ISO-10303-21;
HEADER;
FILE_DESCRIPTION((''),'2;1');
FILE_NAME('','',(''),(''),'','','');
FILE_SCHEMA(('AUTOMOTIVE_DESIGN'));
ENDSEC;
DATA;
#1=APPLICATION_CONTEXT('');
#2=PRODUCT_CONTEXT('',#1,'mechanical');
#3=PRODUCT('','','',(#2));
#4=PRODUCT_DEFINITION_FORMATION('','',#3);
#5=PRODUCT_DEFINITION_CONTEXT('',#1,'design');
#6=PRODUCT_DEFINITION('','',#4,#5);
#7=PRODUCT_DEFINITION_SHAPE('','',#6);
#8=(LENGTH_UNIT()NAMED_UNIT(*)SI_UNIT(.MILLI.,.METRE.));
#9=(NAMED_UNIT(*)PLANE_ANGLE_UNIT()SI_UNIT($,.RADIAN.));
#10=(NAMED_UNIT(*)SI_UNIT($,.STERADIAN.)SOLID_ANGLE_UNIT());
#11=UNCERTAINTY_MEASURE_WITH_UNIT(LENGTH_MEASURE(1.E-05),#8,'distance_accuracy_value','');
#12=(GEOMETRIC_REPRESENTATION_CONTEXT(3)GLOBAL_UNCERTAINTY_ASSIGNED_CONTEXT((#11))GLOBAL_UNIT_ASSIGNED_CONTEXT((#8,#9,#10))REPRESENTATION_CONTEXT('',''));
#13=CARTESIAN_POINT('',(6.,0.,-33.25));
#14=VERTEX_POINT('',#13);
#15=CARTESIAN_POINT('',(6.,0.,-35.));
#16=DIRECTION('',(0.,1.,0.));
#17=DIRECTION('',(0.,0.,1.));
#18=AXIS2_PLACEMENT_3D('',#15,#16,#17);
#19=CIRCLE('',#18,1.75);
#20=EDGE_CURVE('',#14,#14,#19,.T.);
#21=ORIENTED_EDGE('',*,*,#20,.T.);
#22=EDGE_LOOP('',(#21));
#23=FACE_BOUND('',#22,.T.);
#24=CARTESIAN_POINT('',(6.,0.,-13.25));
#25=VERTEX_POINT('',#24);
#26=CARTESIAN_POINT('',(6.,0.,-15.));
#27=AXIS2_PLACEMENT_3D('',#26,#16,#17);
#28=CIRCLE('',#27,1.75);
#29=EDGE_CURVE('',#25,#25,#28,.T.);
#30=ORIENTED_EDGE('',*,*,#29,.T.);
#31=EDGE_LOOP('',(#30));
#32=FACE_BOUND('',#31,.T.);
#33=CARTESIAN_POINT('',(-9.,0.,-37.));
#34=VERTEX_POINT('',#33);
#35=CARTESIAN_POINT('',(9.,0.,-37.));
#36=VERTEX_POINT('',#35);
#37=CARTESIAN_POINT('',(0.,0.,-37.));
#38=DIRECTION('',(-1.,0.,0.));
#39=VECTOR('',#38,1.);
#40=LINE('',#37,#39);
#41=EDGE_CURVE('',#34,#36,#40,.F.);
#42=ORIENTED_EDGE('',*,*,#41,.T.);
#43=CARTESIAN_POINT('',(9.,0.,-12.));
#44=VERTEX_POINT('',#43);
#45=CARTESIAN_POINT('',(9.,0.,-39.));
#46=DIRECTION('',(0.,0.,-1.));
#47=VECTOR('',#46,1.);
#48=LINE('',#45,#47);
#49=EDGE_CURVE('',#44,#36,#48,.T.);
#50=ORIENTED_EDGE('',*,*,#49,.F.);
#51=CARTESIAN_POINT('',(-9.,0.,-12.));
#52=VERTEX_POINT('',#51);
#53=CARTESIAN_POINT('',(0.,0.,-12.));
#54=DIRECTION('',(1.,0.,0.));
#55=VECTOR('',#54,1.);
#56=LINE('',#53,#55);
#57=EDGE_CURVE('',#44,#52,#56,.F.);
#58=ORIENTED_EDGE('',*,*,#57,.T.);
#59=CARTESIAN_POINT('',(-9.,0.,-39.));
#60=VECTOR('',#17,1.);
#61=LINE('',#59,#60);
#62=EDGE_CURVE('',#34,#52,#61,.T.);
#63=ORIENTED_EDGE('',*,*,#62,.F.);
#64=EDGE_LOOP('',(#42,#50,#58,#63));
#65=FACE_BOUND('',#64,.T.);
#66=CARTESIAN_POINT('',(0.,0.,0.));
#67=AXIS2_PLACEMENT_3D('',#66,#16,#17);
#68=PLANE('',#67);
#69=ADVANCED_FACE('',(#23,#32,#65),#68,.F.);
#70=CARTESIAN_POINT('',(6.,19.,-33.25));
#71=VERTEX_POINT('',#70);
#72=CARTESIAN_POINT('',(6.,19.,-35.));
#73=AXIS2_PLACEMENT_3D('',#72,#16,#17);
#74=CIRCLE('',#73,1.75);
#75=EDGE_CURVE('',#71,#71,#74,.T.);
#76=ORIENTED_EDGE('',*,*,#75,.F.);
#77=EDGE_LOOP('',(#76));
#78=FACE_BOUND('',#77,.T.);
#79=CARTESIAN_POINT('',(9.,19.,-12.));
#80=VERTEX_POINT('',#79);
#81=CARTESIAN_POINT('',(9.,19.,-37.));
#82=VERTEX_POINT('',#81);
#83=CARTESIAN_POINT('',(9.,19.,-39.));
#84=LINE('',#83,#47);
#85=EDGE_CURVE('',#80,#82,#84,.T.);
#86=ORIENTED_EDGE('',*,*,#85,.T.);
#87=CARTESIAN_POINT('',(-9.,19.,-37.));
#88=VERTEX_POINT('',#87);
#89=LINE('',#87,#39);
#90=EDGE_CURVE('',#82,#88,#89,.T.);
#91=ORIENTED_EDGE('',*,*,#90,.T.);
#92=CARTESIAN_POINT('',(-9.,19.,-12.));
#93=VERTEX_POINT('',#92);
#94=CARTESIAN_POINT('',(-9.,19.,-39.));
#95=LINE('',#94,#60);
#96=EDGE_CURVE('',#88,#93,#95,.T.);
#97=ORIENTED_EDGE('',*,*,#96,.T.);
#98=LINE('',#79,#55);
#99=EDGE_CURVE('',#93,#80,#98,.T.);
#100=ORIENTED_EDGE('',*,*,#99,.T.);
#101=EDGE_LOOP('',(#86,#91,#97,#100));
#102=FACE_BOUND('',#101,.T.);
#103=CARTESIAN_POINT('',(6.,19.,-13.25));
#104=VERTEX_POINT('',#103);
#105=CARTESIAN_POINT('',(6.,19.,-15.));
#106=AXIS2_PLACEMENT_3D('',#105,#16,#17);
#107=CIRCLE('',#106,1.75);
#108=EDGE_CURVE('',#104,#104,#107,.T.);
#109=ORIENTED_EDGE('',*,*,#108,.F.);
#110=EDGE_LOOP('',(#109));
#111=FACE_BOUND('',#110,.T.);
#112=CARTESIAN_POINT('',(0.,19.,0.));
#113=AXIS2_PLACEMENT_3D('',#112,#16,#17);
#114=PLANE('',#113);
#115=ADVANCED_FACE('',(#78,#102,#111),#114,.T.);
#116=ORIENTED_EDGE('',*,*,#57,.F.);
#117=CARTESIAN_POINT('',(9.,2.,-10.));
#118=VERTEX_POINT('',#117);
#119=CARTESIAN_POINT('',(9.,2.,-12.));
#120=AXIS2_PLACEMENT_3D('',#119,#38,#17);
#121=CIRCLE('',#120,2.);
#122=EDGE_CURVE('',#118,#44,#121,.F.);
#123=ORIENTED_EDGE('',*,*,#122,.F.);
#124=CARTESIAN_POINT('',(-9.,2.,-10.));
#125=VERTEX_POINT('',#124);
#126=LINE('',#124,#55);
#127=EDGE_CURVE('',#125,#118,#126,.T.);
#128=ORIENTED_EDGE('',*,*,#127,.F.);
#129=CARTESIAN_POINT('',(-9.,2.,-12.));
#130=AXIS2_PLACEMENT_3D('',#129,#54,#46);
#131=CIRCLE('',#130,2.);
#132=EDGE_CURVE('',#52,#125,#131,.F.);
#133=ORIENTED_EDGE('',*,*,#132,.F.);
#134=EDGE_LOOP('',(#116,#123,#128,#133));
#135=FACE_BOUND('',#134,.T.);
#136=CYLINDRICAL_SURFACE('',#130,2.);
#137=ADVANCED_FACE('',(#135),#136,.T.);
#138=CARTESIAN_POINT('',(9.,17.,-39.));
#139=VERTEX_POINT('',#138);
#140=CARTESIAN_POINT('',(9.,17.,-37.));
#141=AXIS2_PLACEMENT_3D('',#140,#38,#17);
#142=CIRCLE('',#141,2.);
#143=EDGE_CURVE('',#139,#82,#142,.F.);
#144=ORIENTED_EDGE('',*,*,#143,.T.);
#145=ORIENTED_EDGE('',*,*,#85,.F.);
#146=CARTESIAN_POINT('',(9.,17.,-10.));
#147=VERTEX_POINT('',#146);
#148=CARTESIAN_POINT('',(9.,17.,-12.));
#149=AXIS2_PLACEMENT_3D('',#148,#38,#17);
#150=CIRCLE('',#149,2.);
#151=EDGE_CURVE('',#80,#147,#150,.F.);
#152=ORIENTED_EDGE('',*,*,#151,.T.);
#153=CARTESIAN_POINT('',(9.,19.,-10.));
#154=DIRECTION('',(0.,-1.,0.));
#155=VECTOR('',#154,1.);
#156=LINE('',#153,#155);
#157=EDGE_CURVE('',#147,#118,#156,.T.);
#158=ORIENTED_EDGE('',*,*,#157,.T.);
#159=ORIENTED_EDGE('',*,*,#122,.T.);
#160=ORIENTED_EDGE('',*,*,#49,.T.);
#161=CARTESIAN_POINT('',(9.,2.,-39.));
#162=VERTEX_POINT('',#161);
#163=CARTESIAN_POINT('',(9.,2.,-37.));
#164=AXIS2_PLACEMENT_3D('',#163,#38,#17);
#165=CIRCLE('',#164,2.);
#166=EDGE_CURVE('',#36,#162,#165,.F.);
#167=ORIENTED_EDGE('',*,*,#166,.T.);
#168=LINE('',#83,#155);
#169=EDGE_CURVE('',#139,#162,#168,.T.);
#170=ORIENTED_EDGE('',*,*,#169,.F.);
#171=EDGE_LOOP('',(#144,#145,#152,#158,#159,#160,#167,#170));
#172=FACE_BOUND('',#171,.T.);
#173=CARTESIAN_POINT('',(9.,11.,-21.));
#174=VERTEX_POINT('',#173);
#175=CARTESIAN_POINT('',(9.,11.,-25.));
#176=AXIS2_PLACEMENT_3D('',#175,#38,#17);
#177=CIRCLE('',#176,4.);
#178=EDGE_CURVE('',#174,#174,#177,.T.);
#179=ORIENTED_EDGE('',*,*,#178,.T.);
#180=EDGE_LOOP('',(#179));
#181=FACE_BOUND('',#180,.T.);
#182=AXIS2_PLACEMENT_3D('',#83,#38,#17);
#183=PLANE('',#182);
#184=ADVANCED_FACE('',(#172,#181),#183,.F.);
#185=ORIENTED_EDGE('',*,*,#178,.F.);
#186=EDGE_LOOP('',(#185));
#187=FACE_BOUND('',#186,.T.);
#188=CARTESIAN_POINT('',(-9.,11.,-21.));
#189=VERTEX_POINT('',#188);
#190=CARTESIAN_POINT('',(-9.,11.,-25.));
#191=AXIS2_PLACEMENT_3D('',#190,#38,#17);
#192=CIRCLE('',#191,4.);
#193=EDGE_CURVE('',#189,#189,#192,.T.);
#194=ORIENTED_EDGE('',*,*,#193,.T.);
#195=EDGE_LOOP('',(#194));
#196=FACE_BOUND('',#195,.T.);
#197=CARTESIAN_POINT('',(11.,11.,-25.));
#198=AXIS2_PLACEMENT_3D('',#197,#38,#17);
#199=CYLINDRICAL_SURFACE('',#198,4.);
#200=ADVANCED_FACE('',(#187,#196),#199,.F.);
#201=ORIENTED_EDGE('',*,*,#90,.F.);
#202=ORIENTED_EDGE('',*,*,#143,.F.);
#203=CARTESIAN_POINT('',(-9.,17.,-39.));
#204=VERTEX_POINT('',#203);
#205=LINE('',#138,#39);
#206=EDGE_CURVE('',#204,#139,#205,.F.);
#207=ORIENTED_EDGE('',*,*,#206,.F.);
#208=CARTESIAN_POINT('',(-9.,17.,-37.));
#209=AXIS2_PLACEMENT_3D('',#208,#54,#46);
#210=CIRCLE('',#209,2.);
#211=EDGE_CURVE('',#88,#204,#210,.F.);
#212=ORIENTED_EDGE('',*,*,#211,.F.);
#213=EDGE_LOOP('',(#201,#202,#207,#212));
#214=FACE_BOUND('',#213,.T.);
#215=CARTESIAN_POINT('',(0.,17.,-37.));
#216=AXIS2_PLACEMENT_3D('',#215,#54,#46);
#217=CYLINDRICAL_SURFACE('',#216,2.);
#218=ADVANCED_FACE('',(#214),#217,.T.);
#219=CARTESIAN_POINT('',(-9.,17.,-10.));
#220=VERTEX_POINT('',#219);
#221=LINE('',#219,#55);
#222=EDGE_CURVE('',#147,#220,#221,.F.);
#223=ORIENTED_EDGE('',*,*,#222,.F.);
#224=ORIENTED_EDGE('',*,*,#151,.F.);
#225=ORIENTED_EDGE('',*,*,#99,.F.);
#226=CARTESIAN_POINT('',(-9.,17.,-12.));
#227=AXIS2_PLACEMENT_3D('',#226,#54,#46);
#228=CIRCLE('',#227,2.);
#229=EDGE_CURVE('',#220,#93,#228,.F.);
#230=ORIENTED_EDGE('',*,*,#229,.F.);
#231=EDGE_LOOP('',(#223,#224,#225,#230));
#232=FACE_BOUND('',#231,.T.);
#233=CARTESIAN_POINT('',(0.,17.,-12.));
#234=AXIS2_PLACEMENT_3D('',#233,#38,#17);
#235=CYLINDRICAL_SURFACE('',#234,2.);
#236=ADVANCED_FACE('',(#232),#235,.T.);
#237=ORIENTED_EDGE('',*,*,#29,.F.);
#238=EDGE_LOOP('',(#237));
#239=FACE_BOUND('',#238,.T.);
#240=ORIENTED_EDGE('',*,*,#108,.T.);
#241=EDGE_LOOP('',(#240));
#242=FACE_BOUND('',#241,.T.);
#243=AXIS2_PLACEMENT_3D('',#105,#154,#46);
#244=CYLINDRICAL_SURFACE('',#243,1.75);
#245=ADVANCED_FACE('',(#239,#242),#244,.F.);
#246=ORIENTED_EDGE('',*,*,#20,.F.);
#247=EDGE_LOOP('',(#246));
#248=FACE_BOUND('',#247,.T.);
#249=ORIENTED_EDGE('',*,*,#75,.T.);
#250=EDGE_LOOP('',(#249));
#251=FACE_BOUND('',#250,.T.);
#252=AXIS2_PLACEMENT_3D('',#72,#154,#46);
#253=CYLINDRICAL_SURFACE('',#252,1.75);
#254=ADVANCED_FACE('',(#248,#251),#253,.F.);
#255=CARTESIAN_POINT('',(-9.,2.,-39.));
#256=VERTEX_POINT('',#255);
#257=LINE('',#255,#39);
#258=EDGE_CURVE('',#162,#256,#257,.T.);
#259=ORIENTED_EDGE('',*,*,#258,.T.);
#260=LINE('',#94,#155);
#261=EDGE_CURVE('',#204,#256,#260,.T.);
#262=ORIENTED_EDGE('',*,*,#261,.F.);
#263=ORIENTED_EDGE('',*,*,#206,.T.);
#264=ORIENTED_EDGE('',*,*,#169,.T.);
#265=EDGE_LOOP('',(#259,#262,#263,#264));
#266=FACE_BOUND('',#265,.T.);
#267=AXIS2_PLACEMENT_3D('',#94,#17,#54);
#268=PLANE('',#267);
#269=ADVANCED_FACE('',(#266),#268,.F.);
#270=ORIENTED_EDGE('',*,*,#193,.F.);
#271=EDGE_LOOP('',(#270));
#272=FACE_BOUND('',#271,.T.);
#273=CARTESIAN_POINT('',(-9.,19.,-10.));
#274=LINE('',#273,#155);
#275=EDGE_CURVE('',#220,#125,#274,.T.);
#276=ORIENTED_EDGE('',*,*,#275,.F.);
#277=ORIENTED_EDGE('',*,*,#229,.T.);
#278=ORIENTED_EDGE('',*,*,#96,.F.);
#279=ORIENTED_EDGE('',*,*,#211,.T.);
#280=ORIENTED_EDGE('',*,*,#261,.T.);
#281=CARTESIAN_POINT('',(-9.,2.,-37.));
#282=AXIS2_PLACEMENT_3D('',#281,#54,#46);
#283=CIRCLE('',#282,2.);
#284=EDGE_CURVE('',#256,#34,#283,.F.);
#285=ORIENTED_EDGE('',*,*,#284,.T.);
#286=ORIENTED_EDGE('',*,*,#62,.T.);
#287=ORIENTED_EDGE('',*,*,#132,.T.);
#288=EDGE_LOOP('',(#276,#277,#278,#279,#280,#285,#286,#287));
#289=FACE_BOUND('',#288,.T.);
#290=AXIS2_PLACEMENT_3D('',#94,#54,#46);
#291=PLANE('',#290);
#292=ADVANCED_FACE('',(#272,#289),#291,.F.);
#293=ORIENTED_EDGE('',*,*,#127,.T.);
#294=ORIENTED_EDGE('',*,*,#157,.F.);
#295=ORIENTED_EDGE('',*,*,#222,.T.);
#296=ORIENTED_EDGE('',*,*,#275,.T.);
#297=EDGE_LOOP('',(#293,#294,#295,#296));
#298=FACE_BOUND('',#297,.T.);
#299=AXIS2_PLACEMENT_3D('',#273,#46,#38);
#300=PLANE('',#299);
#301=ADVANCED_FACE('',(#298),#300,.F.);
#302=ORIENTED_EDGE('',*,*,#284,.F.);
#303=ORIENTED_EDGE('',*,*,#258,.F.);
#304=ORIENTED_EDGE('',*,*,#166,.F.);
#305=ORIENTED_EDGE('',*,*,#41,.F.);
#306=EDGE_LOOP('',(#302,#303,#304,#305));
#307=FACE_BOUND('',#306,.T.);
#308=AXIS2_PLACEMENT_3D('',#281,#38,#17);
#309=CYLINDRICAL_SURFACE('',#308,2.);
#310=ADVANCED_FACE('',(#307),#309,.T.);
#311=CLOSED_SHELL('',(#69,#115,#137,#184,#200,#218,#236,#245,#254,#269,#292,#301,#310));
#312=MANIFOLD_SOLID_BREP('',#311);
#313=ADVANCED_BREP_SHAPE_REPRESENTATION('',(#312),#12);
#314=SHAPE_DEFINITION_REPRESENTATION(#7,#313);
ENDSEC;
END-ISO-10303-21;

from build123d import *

# Parameters (mm, degrees)
SKETCH_1_W          = 18
SKETCH_1_H          = 29
SKETCH_1_R          = 1.75
EXTRUDE_1_DEPTH     = 19
SKETCH_2_R          = 4
CUT_EXTRUDE_1_DEPTH = 20
FILLET_1_R          = 2


with BuildPart() as part:
    # 草图1 → 凸台-拉伸1 (new body)
    with BuildSketch(Plane(origin=(0, 0, 0), x_dir=(1, 0, 0), z_dir=(0, 1, 0))):
        with Locations((0, 24.5)):
            Rectangle(SKETCH_1_W, SKETCH_1_H)
        with Locations(Location((6, 15, 0), (0, 0, 270))):
            Circle(SKETCH_1_R, mode=Mode.SUBTRACT)
        with Locations(Location((6, 35, 0), (0, 0, 270))):
            Circle(SKETCH_1_R, mode=Mode.SUBTRACT)
    extrude(amount=EXTRUDE_1_DEPTH)

    # 草图2 → 切除-拉伸1 (cut)
    with BuildSketch(Plane.ZY.offset(9)):
        with Locations((-25, 11)):
            Circle(SKETCH_2_R)
        with Locations((-5, 11)):
            Circle(SKETCH_2_R)
    extrude(amount=-CUT_EXTRUDE_1_DEPTH, mode=Mode.SUBTRACT)

    # 圆角1
    fillet_1_edges = [part.edges().sort_by_distance(p)[0] for p in [
        (0, 19, -10),
        (0, 0, -10),
        (0, 0, -39),
        (0, 19, -39),
    ]]
    fillet(fillet_1_edges, radius=FILLET_1_R)


solid = part.part
